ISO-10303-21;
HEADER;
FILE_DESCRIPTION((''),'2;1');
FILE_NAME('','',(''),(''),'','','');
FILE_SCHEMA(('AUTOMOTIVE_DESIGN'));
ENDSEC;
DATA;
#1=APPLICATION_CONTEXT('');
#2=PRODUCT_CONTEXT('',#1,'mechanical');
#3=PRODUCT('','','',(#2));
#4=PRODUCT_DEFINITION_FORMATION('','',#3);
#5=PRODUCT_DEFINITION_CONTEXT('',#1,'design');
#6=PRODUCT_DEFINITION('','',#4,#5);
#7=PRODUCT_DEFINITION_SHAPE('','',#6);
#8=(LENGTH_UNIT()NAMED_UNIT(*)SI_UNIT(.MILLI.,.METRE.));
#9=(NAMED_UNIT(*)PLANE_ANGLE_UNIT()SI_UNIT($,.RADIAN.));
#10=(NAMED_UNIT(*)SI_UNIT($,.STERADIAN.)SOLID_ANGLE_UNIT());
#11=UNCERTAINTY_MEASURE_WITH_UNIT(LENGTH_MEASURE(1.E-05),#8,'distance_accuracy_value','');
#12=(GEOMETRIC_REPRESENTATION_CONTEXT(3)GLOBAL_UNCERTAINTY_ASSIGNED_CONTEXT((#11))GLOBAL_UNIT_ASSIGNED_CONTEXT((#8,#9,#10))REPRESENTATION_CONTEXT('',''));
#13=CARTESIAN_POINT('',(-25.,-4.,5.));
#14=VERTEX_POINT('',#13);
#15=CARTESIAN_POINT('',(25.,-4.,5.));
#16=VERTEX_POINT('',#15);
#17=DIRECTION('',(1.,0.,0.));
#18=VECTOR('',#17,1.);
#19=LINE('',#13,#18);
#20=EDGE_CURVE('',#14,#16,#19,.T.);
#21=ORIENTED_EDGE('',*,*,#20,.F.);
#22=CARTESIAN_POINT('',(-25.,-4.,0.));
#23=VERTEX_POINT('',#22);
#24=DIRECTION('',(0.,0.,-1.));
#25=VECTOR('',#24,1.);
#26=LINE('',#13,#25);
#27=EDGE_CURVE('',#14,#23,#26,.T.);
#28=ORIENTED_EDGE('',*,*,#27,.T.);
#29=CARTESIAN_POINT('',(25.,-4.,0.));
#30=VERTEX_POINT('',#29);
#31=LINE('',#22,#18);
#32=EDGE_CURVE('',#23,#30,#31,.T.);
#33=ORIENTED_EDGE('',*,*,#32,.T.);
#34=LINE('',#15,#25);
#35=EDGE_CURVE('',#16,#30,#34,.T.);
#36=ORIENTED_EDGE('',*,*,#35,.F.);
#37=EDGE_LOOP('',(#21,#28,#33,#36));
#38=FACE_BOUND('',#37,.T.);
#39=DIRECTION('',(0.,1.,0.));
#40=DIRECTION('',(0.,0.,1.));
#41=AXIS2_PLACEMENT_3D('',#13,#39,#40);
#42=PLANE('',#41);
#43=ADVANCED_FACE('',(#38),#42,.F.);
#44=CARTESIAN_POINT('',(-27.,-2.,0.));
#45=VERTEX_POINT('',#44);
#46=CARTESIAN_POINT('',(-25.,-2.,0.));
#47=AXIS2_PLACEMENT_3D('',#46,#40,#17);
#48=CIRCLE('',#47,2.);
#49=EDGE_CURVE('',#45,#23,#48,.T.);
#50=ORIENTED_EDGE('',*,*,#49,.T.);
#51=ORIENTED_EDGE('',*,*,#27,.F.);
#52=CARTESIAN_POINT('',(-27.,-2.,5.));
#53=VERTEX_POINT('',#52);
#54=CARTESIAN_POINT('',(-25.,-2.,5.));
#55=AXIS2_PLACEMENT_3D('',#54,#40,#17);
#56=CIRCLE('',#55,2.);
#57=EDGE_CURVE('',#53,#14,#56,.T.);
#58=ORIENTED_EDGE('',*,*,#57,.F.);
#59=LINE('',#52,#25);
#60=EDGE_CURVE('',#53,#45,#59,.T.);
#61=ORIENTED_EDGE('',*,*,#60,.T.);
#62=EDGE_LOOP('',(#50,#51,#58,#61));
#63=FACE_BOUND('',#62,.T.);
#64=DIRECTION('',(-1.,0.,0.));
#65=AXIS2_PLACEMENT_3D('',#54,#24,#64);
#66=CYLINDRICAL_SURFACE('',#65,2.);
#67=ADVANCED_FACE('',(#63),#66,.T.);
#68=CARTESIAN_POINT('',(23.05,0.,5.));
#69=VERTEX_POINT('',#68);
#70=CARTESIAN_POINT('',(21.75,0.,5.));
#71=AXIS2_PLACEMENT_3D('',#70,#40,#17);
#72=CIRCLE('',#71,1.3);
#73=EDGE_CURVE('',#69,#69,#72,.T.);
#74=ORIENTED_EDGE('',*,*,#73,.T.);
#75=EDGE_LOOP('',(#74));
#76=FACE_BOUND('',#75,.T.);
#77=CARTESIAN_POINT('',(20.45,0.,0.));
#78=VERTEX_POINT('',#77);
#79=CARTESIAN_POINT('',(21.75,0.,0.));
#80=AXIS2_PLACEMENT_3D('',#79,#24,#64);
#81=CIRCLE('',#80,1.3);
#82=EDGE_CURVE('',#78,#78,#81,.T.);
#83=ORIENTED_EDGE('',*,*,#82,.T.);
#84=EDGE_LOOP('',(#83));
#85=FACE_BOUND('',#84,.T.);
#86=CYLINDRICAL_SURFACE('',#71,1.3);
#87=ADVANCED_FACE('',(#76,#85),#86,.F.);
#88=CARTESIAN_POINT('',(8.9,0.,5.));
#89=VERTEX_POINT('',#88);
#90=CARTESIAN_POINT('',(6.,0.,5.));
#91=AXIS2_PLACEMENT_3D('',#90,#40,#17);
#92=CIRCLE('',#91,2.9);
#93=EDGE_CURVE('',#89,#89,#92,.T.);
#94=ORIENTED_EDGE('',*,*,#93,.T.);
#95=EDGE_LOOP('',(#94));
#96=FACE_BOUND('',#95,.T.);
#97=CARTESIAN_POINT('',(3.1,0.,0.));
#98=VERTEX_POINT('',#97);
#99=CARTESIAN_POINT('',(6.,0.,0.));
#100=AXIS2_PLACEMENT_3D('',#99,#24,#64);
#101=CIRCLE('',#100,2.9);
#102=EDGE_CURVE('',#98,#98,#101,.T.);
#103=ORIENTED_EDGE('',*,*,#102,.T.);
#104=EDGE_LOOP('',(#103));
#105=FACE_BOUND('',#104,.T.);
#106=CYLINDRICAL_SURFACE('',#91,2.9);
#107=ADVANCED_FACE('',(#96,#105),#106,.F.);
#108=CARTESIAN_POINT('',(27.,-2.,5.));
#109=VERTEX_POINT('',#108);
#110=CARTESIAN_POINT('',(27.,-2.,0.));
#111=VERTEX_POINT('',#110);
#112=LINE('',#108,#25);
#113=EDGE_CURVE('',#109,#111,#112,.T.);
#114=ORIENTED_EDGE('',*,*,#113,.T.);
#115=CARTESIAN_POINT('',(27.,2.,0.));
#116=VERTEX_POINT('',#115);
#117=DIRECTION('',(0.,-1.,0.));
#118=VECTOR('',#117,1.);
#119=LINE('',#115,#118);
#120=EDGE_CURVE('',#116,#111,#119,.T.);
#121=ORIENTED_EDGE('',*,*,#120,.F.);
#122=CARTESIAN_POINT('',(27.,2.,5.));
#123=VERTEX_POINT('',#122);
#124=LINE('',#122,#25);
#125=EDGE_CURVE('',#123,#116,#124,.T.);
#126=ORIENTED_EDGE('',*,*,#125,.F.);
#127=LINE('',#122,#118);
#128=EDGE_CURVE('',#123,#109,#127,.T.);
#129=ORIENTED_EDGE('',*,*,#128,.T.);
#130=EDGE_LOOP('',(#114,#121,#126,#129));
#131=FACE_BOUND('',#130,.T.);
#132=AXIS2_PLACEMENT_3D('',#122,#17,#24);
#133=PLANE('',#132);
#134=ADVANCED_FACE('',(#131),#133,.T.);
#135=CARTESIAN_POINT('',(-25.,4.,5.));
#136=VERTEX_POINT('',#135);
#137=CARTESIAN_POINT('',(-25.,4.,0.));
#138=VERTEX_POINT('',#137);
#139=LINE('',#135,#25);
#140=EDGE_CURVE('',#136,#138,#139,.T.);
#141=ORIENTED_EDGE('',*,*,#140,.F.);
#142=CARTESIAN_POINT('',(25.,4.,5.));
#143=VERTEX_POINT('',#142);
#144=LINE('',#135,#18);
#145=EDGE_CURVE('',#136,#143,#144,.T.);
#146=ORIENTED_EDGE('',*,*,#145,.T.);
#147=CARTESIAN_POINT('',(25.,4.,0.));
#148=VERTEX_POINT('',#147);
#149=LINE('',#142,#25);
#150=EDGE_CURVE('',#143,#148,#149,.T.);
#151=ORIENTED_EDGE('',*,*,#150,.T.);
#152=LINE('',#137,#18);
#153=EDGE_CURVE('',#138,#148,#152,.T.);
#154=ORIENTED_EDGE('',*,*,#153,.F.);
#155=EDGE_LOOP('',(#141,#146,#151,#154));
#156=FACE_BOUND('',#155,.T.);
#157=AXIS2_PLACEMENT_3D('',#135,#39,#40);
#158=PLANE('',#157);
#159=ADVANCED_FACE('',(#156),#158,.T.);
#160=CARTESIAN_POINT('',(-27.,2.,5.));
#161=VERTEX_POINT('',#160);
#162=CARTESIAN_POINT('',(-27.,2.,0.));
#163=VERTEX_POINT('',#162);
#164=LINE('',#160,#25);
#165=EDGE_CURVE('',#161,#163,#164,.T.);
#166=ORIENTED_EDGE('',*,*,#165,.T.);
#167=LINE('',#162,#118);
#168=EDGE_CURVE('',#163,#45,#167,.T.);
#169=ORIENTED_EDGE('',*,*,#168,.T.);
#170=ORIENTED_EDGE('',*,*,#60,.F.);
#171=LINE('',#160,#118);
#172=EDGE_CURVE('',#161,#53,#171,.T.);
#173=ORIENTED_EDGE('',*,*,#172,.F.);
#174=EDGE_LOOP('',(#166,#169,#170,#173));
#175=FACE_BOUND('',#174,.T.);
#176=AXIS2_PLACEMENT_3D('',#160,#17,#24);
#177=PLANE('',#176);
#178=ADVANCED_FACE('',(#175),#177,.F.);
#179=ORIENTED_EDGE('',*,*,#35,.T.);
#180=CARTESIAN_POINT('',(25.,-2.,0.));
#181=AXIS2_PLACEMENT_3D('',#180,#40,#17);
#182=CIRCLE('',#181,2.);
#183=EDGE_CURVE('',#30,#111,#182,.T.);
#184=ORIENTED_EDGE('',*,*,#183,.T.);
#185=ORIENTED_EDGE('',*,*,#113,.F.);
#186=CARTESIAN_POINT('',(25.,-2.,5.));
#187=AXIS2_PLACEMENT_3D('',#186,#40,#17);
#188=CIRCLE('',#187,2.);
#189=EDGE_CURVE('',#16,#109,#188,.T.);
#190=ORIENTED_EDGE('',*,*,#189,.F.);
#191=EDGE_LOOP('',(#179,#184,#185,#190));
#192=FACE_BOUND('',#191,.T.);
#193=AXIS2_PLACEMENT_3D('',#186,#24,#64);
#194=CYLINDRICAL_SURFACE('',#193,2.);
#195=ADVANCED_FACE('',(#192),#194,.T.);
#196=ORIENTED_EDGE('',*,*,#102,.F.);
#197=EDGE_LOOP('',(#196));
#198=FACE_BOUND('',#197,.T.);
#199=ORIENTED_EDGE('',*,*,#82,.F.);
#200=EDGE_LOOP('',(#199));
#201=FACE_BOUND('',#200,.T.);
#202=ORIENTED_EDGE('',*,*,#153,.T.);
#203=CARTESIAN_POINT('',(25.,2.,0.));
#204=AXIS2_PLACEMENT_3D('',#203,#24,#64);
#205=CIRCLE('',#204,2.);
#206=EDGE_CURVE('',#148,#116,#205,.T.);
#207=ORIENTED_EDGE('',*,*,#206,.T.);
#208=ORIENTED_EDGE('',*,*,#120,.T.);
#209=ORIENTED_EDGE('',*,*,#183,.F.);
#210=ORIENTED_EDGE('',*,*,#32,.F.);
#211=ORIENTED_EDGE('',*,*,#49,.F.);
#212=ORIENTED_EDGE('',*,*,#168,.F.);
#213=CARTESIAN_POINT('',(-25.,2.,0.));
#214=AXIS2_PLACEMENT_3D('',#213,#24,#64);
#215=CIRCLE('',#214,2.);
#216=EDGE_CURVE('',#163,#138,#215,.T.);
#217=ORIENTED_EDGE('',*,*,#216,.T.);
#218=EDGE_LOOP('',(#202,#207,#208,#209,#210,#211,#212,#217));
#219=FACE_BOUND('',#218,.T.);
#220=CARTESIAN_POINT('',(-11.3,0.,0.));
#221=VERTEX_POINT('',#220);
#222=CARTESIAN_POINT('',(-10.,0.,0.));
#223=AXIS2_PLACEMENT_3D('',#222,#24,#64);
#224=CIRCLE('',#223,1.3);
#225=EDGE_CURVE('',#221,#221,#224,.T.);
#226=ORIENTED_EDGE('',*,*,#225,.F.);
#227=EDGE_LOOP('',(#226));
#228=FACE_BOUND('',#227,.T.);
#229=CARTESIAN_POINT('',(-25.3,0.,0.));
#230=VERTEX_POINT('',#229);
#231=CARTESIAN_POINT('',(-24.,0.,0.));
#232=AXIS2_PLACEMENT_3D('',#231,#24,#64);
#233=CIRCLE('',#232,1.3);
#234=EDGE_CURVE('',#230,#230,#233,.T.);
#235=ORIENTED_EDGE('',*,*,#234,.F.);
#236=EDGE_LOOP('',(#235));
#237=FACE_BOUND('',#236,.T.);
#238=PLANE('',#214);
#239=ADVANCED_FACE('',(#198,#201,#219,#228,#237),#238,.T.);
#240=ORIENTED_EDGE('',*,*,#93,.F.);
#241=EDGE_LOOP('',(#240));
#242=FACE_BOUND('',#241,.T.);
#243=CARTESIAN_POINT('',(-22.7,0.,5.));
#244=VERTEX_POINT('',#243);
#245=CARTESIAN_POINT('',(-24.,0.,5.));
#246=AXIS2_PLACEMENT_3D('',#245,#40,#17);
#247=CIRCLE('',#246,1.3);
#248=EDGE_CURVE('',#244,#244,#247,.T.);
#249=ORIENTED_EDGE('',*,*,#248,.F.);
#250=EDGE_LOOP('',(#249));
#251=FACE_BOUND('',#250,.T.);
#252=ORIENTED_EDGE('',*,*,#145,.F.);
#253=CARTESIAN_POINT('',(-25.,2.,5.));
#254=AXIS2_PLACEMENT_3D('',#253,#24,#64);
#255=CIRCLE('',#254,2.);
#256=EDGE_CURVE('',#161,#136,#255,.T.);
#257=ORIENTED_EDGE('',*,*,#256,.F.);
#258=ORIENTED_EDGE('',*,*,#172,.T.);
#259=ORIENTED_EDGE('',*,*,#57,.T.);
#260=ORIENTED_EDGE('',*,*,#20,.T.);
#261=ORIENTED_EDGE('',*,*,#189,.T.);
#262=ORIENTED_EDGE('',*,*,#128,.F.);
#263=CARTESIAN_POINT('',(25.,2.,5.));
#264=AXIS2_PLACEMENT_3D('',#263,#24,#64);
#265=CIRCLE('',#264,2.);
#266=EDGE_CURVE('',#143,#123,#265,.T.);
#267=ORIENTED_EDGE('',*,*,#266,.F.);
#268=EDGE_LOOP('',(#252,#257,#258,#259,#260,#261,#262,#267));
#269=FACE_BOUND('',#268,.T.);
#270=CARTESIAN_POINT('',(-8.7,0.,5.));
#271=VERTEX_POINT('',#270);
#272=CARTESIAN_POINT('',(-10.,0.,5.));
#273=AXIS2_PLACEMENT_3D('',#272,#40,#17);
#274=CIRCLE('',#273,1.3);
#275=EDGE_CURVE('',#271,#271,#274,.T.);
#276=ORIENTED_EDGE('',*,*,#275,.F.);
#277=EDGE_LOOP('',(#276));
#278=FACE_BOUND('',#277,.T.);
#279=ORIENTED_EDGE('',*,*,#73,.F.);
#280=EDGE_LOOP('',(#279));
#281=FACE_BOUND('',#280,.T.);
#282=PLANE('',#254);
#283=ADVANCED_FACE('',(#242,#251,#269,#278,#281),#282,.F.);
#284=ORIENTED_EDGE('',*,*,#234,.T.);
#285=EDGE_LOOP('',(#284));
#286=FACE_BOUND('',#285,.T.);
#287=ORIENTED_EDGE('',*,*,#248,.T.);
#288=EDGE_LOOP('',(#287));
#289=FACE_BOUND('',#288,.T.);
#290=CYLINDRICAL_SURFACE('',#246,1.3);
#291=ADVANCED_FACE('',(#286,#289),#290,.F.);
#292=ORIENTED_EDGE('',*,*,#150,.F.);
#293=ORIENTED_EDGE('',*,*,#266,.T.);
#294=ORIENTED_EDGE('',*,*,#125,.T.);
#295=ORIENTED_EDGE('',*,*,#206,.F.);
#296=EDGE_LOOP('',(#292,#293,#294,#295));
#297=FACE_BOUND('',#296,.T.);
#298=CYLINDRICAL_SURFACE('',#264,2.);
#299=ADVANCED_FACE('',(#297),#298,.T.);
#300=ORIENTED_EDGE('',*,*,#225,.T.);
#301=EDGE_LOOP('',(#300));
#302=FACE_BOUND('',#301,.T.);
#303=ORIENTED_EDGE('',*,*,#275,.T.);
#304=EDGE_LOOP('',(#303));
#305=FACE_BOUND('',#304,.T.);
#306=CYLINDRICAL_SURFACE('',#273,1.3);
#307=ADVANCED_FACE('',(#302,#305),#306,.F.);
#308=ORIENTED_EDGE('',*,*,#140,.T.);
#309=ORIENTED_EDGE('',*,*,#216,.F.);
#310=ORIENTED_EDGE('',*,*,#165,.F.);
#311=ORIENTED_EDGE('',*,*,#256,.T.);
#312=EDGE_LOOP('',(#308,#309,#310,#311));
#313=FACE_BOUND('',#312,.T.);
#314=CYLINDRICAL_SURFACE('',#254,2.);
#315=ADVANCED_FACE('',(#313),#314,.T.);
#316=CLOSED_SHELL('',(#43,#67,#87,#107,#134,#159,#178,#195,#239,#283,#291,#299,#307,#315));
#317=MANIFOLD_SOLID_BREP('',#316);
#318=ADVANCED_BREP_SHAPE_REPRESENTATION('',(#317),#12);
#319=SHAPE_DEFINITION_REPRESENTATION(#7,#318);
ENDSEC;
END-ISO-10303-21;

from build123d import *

# Parameters (mm, degrees)
DODANIE_WYCI_GNI_CIE1_DEPTH = 5
OTW_R_POD_RUB_M21_D         = 2.6
OTW_R_POD_RUB_M21_DEPTH     = 5
OTW_R_POD_RUB_M51_D         = 5.8
OTW_R_POD_RUB_M51_DEPTH     = 5
OTW_R_POD_RUB_M22_D         = 2.6
OTW_R_POD_RUB_M22_DEPTH     = 5


with BuildPart() as part:
    # Szkic1 → Dodanie-wyciągnięcie1 (new body)
    with BuildSketch(Plane.XY):
        with BuildLine():
            Line((-25, 4), (25, 4))
            ThreePointArc((25, 4), (26.414213562, 3.414213562), (27, 2))
            Line((27, 2), (27, -2))
            ThreePointArc((27, -2), (26.414213562, -3.414213562), (25, -4))
            Line((25, -4), (-25, -4))
            ThreePointArc((-25, -4), (-26.414213562, -3.414213562), (-27, -2))
            Line((-27, -2), (-27, 2))
            ThreePointArc((-27, 2), (-26.414213562, 3.414213562), (-25, 4))
        make_face()
    extrude(amount=DODANIE_WYCI_GNI_CIE1_DEPTH)

    # Otwór pod śrubę M21
    with Locations(Plane.XY.offset(5)):
        with Locations((-10, 0), (21.75, 0)):
            Hole(OTW_R_POD_RUB_M21_D / 2, depth=OTW_R_POD_RUB_M21_DEPTH)

    # Otwór pod śrubę M51
    with Locations(Plane.XY.offset(5)):
        with Locations((6, 0)):
            Hole(OTW_R_POD_RUB_M51_D / 2, depth=OTW_R_POD_RUB_M51_DEPTH)

    # Otwór pod śrubę M22
    with Locations(Plane.XY.offset(5)):
        with Locations((-24, 0)):
            Hole(OTW_R_POD_RUB_M22_D / 2, depth=OTW_R_POD_RUB_M22_DEPTH)


solid = part.part
